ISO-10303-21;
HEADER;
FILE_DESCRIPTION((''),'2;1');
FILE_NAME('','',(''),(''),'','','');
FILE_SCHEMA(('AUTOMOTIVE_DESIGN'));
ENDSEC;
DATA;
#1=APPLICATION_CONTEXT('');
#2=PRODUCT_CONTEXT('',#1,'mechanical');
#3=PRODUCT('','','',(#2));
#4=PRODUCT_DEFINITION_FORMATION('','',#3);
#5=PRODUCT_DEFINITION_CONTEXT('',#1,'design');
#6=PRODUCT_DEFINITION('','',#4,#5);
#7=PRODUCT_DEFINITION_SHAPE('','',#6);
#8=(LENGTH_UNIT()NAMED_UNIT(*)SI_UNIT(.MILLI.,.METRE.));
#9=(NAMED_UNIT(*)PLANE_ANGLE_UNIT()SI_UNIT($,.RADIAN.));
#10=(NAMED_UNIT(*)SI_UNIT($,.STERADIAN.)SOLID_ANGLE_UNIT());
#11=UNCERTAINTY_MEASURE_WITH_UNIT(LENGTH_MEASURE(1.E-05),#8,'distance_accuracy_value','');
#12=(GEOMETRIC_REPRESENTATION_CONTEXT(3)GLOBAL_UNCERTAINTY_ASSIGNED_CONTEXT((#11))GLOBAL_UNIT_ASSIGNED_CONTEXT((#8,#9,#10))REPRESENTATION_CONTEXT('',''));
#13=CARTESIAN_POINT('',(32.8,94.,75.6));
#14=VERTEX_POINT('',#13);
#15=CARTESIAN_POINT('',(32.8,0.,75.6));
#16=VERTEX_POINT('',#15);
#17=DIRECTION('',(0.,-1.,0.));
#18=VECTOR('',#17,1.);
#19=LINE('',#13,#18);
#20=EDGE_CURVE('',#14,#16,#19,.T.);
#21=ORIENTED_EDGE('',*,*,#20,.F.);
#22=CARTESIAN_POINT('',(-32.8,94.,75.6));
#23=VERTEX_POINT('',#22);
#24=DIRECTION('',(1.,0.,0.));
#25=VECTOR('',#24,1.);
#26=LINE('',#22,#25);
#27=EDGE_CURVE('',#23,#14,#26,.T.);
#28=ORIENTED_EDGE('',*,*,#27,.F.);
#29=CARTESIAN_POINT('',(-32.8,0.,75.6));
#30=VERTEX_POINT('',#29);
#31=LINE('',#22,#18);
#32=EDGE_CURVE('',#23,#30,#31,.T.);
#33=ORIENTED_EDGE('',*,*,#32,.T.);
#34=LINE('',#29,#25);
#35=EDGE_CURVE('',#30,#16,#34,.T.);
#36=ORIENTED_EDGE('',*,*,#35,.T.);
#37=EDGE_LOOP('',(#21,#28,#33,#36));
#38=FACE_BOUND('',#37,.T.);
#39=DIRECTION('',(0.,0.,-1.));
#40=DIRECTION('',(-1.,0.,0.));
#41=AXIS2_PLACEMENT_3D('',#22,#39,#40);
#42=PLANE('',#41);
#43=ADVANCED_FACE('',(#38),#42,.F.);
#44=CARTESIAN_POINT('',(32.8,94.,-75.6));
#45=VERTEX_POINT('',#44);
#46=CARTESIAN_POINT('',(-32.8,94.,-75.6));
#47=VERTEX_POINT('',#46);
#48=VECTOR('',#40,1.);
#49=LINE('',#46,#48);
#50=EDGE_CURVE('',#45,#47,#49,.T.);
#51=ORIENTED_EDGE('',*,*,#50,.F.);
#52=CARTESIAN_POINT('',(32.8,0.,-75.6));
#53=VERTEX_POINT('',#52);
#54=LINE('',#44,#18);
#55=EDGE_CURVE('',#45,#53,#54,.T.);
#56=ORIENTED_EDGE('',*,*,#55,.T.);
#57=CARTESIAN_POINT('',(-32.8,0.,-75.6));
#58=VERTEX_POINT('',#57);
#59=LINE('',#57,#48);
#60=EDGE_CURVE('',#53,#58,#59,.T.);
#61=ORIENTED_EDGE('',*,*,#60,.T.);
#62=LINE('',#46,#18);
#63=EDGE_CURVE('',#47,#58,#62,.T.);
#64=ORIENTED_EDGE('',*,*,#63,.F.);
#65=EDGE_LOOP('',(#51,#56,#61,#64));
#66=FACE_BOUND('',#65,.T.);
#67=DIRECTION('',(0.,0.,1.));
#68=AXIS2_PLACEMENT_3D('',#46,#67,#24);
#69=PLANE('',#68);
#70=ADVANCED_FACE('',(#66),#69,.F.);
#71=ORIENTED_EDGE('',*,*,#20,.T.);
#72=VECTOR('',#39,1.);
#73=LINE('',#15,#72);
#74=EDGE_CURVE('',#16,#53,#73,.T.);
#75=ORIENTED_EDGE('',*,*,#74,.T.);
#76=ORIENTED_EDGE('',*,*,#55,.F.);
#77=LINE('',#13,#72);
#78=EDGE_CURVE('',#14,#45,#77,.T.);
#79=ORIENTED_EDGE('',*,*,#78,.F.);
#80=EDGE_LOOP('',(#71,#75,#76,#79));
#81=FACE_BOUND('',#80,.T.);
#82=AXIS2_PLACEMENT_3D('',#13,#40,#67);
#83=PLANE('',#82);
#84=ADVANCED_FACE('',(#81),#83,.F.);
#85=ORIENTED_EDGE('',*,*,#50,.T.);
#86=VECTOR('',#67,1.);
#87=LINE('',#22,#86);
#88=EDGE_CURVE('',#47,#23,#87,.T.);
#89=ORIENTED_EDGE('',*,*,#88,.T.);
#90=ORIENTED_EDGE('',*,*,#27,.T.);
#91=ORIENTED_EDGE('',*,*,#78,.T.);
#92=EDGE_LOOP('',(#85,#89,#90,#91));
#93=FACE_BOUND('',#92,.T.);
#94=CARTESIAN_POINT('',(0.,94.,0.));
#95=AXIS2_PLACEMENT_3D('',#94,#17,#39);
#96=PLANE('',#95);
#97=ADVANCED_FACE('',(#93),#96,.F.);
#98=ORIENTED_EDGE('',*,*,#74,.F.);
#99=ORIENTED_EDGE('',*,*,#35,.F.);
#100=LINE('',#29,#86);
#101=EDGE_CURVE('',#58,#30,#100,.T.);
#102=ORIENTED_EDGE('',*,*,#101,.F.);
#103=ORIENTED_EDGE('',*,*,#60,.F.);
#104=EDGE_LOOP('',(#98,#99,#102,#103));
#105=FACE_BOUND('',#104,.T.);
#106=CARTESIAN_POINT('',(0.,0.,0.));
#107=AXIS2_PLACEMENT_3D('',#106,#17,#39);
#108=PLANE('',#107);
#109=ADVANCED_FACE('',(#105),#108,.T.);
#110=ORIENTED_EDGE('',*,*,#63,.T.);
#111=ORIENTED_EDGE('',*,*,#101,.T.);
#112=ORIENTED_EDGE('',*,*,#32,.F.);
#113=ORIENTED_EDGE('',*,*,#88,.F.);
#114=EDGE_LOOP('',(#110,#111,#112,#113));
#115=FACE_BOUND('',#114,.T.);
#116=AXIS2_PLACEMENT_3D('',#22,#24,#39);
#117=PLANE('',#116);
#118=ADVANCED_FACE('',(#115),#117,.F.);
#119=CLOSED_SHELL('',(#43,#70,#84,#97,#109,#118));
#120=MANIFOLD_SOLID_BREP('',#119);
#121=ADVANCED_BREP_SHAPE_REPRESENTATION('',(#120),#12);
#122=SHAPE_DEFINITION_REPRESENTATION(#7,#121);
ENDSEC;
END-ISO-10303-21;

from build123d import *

# Parameters (mm, degrees)
SKETCH1_W           = 65.6
SKETCH1_H           = 151.2
BOSS_EXTRUDE1_DEPTH = 94


with BuildPart() as part:
    # Sketch1 → Boss-Extrude1 (new body)
    with BuildSketch(Plane(origin=(0, 0, 0), x_dir=(1, 0, 0), z_dir=(0, 1, 0))):
        Rectangle(SKETCH1_W, SKETCH1_H)
    extrude(amount=BOSS_EXTRUDE1_DEPTH)


solid = part.part
